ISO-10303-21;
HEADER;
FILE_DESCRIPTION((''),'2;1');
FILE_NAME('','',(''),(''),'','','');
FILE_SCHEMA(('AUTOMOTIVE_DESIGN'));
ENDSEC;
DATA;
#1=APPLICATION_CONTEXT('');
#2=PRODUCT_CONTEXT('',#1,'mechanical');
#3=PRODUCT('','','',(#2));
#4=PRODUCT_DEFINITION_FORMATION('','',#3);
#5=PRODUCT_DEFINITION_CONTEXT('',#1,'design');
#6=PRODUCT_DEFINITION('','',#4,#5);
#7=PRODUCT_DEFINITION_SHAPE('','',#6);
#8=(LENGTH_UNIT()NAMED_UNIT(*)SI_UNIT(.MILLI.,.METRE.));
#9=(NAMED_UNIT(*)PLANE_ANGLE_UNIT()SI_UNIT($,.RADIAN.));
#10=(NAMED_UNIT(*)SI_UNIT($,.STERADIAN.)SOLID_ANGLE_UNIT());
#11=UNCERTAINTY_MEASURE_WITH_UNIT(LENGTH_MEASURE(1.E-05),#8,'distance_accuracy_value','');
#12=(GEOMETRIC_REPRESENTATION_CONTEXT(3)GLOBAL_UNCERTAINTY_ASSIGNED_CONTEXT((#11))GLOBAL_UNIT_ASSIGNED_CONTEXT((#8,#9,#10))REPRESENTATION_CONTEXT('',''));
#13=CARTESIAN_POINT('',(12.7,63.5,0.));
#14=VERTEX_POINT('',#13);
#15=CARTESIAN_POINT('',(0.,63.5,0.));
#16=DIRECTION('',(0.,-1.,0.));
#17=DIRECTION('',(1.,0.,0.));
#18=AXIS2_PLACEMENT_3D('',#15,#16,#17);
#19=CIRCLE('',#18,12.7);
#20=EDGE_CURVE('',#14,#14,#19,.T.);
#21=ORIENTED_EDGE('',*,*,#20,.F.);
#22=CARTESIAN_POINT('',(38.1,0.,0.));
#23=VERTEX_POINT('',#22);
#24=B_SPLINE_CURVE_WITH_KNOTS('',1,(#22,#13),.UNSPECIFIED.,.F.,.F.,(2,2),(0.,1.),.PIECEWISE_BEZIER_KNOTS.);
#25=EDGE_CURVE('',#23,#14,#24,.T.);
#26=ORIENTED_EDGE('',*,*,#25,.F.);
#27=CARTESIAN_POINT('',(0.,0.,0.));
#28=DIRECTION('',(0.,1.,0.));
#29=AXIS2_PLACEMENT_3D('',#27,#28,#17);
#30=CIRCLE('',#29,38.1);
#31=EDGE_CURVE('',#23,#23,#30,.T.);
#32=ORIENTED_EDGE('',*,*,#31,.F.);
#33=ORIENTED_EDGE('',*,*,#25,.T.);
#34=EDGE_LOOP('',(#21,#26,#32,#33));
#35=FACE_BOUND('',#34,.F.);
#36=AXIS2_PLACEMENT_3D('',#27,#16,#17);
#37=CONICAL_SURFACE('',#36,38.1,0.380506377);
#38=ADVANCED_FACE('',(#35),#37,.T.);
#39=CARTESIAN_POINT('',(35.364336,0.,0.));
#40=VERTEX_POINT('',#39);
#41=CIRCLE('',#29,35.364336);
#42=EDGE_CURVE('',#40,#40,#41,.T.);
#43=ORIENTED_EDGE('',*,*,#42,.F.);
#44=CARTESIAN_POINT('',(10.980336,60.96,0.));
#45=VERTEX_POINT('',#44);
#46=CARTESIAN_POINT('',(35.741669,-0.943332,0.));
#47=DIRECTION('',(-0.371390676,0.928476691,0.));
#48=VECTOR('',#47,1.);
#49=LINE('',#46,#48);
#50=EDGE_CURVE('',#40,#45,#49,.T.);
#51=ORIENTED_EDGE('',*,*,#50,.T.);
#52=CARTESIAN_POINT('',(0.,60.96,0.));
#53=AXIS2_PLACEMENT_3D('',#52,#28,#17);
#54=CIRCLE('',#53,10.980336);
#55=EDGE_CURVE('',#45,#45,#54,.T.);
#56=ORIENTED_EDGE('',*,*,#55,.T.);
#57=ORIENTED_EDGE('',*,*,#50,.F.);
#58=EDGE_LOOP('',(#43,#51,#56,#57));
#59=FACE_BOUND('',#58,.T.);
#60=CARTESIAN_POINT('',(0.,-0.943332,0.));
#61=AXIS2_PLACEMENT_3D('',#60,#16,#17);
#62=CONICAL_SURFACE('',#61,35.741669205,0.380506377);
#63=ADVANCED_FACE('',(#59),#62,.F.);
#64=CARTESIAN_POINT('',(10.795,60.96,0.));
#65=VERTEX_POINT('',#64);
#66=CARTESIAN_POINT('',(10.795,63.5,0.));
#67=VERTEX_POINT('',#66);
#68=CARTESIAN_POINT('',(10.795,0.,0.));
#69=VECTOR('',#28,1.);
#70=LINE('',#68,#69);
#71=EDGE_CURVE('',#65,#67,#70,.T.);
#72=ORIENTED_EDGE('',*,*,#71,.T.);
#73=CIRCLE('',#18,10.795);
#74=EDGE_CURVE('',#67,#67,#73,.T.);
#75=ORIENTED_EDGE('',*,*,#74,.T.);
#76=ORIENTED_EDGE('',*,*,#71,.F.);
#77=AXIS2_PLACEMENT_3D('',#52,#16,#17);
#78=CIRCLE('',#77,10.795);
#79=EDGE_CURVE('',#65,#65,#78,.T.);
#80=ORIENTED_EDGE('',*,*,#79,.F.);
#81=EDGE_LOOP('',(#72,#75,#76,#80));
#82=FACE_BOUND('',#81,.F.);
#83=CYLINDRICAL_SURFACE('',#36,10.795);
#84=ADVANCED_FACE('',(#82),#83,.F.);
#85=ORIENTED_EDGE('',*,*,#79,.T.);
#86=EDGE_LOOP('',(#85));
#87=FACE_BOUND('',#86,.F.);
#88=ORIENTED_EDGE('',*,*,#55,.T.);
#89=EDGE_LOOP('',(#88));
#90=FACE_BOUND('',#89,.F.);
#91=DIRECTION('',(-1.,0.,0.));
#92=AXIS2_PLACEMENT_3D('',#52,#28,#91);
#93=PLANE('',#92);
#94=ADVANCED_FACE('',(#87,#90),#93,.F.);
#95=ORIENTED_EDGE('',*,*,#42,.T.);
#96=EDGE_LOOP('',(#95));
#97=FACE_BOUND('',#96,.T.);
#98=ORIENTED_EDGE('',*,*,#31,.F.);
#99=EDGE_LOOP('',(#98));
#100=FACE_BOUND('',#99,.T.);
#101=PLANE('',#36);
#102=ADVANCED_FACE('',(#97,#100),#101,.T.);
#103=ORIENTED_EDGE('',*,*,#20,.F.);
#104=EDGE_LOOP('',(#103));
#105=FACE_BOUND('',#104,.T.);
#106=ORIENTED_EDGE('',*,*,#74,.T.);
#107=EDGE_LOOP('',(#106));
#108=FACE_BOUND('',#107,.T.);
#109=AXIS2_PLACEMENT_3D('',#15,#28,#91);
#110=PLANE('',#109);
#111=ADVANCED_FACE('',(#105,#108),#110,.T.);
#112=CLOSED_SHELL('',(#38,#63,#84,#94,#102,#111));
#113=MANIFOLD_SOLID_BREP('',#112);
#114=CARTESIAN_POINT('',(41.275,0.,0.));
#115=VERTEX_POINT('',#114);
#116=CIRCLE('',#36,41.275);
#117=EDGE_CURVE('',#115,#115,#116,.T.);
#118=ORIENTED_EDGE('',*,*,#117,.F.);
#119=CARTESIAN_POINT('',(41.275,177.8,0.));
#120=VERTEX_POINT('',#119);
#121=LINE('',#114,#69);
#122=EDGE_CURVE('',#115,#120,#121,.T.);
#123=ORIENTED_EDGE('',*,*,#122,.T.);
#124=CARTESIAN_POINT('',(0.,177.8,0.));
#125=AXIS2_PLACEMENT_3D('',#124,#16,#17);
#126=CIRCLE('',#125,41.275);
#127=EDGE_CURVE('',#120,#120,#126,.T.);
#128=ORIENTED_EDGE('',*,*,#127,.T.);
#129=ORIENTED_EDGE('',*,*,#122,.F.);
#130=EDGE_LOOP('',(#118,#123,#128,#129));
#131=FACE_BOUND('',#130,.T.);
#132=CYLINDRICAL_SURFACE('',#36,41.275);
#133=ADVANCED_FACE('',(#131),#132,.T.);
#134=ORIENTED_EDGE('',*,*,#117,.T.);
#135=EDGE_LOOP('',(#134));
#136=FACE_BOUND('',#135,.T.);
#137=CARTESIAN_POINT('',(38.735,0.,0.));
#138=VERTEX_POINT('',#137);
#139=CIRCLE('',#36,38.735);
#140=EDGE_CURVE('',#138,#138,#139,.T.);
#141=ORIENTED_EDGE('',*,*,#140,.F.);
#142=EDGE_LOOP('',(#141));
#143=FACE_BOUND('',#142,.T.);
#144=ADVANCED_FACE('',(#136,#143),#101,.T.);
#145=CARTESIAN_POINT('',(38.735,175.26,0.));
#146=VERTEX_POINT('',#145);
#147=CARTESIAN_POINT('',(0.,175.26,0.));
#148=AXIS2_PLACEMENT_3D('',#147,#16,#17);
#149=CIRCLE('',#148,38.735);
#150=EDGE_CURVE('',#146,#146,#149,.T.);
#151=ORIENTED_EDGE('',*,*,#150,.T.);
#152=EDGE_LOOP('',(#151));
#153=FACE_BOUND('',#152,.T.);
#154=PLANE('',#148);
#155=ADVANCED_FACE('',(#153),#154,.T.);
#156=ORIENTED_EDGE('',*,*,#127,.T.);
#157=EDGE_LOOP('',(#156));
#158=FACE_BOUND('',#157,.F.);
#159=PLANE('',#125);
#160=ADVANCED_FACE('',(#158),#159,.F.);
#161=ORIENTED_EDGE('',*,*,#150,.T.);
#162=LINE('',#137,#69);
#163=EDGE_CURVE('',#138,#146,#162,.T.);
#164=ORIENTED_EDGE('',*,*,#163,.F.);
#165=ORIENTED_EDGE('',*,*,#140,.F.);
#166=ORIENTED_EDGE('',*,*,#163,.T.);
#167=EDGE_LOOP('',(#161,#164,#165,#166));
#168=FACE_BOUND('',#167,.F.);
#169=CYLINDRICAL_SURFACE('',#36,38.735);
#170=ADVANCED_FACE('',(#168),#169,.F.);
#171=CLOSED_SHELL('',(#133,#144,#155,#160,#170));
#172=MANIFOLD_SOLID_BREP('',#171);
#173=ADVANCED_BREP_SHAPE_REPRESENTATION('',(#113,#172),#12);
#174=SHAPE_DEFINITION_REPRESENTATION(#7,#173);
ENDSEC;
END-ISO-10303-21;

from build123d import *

# Parameters (mm, degrees)
F1_R      = 3.175
F2_DEPTH  = 63.5
F0_R      = 38.1
F3_R      = 12.7
F5_T      = -2.54
F6_R      = 10.795
F7_DEPTH  = 136.398
F9_R      = 41.275
F10_DEPTH = 177.8
F11_T     = -2.54


with BuildPart() as f2:
    # F1 (on Front) → F2 (new body)
    with BuildSketch(Plane.XZ):
        with Locations((58.286074549, 57.9951293766)):
            Circle(F1_R)
    extrude(amount=-F2_DEPTH)


with BuildPart() as f4:
    # F0 (on Front) → F4 section 0
    with BuildSketch(Plane.XZ):
        Circle(F0_R)
    # F3 (on face) → F4 section 1
    with BuildSketch(Plane(origin=(0, 63.5, 0), x_dir=(-1, 0, 0), z_dir=(0, 1, 0))):
        Circle(F3_R)
    loft()

    # F5
    f5_openings = [f4.faces().sort_by_distance(p)[0] for p in [
        (0, 0, 0),
    ]]
    offset(amount=F5_T, openings=f5_openings, kind=Kind.INTERSECTION)

    # F6 (on Front) → F7 (cut)
    with BuildSketch(Plane.XZ):
        Circle(F6_R)
    extrude(amount=-F7_DEPTH, mode=Mode.SUBTRACT)


with BuildPart() as f10:
    # F9 (on Front) → F10 (new body)
    with BuildSketch(Plane.XZ):
        Circle(F9_R)
    extrude(amount=-F10_DEPTH)

    # F11
    f11_openings = [f10.faces().sort_by_distance(p)[0] for p in [
        (0, 0, 0),
    ]]
    offset(amount=F11_T, openings=f11_openings)


solid = Compound([f4.part, f10.part])
